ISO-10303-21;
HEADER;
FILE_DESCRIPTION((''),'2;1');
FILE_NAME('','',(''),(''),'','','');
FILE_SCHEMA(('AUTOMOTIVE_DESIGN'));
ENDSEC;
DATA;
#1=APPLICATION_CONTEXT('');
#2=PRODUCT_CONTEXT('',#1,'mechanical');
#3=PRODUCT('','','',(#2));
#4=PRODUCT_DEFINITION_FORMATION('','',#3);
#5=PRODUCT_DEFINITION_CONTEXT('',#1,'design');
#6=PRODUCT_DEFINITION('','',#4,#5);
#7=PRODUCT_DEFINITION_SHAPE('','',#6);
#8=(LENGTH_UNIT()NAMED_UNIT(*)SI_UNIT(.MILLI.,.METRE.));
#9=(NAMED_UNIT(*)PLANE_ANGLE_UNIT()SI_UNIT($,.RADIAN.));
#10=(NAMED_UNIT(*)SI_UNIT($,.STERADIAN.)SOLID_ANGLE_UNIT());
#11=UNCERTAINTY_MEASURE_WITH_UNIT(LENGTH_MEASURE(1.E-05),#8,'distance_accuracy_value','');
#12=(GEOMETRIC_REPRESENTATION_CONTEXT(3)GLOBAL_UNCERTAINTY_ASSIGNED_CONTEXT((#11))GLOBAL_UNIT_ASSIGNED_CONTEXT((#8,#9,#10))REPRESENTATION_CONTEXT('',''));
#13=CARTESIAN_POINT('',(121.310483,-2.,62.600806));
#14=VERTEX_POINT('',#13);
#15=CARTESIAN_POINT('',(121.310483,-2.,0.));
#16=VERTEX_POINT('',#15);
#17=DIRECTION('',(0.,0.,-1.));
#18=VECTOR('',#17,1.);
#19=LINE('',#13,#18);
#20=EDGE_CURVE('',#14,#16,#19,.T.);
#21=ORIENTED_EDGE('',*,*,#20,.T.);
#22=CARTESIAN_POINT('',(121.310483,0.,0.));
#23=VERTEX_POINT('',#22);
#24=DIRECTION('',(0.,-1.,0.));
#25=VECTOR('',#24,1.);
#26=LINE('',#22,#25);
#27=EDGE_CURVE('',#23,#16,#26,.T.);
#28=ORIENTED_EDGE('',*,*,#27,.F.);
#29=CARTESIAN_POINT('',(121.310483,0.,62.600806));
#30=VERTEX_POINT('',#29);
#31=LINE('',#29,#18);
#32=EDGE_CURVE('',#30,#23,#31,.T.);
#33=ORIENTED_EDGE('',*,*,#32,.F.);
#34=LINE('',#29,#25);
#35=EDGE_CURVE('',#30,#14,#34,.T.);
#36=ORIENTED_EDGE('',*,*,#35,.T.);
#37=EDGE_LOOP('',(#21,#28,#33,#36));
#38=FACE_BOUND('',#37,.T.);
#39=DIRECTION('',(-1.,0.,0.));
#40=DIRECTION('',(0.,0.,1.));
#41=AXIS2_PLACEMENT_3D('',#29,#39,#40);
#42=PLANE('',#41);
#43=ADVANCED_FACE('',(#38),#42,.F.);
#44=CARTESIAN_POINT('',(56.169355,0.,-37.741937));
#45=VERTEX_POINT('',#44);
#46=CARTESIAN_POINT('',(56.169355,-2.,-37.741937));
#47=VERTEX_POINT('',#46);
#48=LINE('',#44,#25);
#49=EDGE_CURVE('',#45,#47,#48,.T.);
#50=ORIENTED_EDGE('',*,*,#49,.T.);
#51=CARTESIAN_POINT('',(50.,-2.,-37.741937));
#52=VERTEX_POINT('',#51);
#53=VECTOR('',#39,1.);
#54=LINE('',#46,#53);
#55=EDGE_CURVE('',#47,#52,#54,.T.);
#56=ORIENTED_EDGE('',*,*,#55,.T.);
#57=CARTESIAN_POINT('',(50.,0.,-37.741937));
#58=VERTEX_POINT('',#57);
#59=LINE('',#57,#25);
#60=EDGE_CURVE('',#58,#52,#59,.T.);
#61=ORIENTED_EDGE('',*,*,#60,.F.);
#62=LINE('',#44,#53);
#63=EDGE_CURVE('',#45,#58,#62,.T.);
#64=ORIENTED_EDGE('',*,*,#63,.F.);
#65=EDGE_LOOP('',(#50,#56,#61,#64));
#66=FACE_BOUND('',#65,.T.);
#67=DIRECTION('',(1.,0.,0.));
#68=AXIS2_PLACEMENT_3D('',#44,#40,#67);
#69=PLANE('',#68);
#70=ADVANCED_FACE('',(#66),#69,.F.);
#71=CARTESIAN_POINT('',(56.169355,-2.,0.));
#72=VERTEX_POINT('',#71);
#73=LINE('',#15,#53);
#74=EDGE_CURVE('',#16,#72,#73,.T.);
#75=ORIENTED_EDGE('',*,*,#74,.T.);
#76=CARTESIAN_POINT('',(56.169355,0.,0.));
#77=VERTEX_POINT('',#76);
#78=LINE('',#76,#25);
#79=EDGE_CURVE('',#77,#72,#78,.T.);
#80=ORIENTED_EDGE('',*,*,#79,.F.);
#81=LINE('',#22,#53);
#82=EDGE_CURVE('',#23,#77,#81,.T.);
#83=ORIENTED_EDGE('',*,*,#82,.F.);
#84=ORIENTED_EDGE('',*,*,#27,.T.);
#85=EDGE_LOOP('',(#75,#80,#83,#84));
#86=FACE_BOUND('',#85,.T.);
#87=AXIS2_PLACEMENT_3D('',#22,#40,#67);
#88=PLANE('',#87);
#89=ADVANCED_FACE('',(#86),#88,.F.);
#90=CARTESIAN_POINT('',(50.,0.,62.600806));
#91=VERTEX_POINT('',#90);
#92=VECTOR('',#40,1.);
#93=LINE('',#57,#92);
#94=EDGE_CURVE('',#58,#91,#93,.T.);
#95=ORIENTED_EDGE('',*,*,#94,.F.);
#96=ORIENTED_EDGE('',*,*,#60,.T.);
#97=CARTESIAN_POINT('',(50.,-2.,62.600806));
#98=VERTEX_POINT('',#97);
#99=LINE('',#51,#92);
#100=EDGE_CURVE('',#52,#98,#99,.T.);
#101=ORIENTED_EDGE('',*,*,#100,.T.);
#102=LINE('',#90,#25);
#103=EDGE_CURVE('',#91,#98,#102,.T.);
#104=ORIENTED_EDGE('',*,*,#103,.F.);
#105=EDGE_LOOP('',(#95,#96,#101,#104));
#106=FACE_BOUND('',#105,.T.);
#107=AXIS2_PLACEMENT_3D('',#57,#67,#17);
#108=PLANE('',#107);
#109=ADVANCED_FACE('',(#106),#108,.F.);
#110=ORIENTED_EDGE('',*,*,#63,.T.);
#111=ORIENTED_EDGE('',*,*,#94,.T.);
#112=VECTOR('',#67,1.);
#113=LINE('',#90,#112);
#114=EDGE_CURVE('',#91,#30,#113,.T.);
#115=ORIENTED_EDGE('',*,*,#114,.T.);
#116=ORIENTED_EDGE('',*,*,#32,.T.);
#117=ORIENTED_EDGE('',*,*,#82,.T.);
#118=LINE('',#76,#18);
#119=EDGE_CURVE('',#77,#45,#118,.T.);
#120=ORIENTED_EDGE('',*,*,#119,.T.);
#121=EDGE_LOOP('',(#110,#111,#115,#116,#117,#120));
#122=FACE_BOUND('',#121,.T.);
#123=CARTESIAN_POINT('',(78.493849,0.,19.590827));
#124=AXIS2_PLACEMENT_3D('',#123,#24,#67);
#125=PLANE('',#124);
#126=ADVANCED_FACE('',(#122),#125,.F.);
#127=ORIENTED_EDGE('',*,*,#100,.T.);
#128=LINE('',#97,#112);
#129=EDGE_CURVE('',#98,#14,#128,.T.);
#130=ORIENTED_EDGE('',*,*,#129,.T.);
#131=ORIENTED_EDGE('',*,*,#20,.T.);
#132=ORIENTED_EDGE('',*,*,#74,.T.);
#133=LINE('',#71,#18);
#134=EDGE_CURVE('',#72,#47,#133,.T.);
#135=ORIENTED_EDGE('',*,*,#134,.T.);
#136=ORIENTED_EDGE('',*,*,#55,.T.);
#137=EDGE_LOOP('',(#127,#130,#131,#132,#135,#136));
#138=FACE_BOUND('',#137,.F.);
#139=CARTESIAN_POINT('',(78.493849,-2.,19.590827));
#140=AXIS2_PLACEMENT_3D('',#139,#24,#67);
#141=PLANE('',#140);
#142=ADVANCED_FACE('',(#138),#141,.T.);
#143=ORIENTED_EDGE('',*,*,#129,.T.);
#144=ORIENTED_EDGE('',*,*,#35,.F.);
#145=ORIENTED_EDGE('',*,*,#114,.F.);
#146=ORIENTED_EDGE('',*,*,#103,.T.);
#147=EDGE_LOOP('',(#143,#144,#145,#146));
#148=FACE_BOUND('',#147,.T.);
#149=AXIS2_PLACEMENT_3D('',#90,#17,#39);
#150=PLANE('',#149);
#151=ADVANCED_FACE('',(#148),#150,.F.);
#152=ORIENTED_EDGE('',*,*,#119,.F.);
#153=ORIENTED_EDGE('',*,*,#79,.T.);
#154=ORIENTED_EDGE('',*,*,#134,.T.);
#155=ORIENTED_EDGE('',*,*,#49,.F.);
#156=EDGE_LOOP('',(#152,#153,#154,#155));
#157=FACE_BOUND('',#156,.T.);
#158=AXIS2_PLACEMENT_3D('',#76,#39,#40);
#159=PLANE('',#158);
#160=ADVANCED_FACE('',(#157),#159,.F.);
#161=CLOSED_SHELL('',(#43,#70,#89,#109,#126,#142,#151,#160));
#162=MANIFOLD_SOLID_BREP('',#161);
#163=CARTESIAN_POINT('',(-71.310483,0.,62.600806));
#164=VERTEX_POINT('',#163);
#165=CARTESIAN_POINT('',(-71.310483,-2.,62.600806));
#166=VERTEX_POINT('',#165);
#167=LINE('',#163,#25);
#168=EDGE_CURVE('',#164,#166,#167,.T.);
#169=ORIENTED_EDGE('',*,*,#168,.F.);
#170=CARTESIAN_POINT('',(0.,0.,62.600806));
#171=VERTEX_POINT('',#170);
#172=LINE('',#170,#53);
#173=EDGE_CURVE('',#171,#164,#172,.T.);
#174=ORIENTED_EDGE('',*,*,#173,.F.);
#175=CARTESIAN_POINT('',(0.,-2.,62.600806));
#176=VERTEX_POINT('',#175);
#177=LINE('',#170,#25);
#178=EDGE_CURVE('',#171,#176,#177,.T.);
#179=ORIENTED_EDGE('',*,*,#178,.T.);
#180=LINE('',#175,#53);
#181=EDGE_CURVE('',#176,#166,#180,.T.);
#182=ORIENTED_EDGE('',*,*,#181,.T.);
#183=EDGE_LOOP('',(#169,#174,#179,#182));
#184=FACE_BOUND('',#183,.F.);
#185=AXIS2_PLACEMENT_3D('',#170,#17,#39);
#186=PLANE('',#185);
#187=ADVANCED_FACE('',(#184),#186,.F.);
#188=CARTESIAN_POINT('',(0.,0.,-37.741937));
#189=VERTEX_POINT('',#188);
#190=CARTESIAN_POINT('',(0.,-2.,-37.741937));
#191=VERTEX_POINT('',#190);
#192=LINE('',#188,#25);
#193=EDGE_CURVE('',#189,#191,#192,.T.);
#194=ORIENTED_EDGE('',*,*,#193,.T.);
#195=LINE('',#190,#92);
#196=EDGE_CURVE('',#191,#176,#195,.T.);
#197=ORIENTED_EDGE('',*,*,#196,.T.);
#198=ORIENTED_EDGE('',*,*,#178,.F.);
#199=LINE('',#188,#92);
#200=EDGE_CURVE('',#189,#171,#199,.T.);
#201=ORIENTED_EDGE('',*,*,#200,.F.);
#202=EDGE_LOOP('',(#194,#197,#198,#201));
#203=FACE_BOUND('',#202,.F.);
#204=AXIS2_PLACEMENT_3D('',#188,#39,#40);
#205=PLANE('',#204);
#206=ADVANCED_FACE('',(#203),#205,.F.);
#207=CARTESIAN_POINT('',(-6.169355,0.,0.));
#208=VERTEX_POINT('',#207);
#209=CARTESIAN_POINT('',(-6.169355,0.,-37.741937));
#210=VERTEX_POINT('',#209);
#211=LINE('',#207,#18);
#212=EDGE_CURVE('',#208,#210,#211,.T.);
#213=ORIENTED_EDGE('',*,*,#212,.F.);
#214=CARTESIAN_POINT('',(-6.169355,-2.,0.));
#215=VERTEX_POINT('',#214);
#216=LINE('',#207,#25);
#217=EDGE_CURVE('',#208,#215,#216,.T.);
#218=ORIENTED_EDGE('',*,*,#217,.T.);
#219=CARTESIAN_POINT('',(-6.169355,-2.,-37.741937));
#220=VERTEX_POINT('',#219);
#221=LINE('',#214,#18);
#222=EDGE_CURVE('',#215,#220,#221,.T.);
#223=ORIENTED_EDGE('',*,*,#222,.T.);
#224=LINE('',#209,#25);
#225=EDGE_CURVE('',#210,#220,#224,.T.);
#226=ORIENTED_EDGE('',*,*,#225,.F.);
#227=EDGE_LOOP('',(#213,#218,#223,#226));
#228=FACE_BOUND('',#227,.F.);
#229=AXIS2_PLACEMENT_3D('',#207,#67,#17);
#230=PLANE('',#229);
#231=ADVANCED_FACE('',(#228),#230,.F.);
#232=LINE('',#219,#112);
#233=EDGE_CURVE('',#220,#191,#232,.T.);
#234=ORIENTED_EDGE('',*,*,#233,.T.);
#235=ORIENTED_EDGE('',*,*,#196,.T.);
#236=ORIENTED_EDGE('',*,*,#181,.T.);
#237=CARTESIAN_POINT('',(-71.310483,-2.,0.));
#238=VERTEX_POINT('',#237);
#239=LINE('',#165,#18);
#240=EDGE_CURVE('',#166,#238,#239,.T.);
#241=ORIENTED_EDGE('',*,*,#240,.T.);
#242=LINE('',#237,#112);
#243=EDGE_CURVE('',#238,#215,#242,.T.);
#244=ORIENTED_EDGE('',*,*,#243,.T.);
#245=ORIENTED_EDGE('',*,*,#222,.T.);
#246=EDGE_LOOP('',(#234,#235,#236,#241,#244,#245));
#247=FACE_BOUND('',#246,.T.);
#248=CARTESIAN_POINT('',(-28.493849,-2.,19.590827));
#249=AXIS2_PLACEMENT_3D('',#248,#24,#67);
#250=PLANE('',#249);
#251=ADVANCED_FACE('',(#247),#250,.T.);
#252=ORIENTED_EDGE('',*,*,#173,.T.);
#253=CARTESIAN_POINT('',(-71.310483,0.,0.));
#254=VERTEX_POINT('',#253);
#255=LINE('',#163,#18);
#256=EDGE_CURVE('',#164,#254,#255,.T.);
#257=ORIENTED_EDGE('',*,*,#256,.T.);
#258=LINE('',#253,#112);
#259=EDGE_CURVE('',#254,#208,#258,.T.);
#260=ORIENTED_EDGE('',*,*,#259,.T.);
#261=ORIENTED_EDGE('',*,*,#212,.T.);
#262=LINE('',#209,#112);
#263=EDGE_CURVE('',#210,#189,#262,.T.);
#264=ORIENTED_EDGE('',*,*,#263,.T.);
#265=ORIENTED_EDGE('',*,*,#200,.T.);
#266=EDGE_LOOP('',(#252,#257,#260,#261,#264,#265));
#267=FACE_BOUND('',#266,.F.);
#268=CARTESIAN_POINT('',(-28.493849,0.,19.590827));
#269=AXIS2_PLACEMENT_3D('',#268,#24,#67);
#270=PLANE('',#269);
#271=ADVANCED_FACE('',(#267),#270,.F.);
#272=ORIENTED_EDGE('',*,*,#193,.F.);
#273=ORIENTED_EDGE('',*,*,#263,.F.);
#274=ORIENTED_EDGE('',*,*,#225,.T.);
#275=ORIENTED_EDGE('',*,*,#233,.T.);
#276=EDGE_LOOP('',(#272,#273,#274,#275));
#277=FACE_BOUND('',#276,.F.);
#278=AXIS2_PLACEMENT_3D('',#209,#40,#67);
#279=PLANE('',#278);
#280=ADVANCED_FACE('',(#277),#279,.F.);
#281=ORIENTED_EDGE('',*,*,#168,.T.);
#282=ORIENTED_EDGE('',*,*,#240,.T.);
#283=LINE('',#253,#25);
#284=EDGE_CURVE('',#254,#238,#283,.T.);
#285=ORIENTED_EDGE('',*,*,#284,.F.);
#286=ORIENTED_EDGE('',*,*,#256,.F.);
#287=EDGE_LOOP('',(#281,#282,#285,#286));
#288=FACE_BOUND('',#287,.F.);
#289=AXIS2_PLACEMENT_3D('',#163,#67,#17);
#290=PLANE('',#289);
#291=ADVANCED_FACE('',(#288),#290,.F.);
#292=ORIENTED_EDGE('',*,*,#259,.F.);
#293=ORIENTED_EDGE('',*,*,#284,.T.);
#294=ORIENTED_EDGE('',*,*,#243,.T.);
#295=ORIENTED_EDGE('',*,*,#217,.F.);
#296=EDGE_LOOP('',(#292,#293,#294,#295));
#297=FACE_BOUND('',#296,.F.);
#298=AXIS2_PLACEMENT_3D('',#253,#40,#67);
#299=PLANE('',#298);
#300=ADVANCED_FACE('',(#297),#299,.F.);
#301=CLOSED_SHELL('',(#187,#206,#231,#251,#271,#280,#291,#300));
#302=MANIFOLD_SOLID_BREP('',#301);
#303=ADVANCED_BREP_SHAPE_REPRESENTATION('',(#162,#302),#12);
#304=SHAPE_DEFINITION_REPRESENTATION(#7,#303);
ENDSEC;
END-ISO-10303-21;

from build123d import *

# Parameters (mm, degrees)
F1_DEPTH = 2


with BuildPart() as f1:
    # F0 (on Front) → F1 (new body)
    with BuildSketch(Plane.XZ):
        Polygon((0, 0), (0, 62.600806), (-71.310483, 62.600806), (-71.310483, 0), (-6.169355, 0), (-6.169355, -37.741937), (0, -37.741937), align=None)
    extrude(amount=F1_DEPTH)


with BuildPart() as f3_1:
    # F3: instance of F1
    add(f1.part.mirror(Plane.YZ.offset(25)))


solid = Compound([f1.part, f3_1.part])
